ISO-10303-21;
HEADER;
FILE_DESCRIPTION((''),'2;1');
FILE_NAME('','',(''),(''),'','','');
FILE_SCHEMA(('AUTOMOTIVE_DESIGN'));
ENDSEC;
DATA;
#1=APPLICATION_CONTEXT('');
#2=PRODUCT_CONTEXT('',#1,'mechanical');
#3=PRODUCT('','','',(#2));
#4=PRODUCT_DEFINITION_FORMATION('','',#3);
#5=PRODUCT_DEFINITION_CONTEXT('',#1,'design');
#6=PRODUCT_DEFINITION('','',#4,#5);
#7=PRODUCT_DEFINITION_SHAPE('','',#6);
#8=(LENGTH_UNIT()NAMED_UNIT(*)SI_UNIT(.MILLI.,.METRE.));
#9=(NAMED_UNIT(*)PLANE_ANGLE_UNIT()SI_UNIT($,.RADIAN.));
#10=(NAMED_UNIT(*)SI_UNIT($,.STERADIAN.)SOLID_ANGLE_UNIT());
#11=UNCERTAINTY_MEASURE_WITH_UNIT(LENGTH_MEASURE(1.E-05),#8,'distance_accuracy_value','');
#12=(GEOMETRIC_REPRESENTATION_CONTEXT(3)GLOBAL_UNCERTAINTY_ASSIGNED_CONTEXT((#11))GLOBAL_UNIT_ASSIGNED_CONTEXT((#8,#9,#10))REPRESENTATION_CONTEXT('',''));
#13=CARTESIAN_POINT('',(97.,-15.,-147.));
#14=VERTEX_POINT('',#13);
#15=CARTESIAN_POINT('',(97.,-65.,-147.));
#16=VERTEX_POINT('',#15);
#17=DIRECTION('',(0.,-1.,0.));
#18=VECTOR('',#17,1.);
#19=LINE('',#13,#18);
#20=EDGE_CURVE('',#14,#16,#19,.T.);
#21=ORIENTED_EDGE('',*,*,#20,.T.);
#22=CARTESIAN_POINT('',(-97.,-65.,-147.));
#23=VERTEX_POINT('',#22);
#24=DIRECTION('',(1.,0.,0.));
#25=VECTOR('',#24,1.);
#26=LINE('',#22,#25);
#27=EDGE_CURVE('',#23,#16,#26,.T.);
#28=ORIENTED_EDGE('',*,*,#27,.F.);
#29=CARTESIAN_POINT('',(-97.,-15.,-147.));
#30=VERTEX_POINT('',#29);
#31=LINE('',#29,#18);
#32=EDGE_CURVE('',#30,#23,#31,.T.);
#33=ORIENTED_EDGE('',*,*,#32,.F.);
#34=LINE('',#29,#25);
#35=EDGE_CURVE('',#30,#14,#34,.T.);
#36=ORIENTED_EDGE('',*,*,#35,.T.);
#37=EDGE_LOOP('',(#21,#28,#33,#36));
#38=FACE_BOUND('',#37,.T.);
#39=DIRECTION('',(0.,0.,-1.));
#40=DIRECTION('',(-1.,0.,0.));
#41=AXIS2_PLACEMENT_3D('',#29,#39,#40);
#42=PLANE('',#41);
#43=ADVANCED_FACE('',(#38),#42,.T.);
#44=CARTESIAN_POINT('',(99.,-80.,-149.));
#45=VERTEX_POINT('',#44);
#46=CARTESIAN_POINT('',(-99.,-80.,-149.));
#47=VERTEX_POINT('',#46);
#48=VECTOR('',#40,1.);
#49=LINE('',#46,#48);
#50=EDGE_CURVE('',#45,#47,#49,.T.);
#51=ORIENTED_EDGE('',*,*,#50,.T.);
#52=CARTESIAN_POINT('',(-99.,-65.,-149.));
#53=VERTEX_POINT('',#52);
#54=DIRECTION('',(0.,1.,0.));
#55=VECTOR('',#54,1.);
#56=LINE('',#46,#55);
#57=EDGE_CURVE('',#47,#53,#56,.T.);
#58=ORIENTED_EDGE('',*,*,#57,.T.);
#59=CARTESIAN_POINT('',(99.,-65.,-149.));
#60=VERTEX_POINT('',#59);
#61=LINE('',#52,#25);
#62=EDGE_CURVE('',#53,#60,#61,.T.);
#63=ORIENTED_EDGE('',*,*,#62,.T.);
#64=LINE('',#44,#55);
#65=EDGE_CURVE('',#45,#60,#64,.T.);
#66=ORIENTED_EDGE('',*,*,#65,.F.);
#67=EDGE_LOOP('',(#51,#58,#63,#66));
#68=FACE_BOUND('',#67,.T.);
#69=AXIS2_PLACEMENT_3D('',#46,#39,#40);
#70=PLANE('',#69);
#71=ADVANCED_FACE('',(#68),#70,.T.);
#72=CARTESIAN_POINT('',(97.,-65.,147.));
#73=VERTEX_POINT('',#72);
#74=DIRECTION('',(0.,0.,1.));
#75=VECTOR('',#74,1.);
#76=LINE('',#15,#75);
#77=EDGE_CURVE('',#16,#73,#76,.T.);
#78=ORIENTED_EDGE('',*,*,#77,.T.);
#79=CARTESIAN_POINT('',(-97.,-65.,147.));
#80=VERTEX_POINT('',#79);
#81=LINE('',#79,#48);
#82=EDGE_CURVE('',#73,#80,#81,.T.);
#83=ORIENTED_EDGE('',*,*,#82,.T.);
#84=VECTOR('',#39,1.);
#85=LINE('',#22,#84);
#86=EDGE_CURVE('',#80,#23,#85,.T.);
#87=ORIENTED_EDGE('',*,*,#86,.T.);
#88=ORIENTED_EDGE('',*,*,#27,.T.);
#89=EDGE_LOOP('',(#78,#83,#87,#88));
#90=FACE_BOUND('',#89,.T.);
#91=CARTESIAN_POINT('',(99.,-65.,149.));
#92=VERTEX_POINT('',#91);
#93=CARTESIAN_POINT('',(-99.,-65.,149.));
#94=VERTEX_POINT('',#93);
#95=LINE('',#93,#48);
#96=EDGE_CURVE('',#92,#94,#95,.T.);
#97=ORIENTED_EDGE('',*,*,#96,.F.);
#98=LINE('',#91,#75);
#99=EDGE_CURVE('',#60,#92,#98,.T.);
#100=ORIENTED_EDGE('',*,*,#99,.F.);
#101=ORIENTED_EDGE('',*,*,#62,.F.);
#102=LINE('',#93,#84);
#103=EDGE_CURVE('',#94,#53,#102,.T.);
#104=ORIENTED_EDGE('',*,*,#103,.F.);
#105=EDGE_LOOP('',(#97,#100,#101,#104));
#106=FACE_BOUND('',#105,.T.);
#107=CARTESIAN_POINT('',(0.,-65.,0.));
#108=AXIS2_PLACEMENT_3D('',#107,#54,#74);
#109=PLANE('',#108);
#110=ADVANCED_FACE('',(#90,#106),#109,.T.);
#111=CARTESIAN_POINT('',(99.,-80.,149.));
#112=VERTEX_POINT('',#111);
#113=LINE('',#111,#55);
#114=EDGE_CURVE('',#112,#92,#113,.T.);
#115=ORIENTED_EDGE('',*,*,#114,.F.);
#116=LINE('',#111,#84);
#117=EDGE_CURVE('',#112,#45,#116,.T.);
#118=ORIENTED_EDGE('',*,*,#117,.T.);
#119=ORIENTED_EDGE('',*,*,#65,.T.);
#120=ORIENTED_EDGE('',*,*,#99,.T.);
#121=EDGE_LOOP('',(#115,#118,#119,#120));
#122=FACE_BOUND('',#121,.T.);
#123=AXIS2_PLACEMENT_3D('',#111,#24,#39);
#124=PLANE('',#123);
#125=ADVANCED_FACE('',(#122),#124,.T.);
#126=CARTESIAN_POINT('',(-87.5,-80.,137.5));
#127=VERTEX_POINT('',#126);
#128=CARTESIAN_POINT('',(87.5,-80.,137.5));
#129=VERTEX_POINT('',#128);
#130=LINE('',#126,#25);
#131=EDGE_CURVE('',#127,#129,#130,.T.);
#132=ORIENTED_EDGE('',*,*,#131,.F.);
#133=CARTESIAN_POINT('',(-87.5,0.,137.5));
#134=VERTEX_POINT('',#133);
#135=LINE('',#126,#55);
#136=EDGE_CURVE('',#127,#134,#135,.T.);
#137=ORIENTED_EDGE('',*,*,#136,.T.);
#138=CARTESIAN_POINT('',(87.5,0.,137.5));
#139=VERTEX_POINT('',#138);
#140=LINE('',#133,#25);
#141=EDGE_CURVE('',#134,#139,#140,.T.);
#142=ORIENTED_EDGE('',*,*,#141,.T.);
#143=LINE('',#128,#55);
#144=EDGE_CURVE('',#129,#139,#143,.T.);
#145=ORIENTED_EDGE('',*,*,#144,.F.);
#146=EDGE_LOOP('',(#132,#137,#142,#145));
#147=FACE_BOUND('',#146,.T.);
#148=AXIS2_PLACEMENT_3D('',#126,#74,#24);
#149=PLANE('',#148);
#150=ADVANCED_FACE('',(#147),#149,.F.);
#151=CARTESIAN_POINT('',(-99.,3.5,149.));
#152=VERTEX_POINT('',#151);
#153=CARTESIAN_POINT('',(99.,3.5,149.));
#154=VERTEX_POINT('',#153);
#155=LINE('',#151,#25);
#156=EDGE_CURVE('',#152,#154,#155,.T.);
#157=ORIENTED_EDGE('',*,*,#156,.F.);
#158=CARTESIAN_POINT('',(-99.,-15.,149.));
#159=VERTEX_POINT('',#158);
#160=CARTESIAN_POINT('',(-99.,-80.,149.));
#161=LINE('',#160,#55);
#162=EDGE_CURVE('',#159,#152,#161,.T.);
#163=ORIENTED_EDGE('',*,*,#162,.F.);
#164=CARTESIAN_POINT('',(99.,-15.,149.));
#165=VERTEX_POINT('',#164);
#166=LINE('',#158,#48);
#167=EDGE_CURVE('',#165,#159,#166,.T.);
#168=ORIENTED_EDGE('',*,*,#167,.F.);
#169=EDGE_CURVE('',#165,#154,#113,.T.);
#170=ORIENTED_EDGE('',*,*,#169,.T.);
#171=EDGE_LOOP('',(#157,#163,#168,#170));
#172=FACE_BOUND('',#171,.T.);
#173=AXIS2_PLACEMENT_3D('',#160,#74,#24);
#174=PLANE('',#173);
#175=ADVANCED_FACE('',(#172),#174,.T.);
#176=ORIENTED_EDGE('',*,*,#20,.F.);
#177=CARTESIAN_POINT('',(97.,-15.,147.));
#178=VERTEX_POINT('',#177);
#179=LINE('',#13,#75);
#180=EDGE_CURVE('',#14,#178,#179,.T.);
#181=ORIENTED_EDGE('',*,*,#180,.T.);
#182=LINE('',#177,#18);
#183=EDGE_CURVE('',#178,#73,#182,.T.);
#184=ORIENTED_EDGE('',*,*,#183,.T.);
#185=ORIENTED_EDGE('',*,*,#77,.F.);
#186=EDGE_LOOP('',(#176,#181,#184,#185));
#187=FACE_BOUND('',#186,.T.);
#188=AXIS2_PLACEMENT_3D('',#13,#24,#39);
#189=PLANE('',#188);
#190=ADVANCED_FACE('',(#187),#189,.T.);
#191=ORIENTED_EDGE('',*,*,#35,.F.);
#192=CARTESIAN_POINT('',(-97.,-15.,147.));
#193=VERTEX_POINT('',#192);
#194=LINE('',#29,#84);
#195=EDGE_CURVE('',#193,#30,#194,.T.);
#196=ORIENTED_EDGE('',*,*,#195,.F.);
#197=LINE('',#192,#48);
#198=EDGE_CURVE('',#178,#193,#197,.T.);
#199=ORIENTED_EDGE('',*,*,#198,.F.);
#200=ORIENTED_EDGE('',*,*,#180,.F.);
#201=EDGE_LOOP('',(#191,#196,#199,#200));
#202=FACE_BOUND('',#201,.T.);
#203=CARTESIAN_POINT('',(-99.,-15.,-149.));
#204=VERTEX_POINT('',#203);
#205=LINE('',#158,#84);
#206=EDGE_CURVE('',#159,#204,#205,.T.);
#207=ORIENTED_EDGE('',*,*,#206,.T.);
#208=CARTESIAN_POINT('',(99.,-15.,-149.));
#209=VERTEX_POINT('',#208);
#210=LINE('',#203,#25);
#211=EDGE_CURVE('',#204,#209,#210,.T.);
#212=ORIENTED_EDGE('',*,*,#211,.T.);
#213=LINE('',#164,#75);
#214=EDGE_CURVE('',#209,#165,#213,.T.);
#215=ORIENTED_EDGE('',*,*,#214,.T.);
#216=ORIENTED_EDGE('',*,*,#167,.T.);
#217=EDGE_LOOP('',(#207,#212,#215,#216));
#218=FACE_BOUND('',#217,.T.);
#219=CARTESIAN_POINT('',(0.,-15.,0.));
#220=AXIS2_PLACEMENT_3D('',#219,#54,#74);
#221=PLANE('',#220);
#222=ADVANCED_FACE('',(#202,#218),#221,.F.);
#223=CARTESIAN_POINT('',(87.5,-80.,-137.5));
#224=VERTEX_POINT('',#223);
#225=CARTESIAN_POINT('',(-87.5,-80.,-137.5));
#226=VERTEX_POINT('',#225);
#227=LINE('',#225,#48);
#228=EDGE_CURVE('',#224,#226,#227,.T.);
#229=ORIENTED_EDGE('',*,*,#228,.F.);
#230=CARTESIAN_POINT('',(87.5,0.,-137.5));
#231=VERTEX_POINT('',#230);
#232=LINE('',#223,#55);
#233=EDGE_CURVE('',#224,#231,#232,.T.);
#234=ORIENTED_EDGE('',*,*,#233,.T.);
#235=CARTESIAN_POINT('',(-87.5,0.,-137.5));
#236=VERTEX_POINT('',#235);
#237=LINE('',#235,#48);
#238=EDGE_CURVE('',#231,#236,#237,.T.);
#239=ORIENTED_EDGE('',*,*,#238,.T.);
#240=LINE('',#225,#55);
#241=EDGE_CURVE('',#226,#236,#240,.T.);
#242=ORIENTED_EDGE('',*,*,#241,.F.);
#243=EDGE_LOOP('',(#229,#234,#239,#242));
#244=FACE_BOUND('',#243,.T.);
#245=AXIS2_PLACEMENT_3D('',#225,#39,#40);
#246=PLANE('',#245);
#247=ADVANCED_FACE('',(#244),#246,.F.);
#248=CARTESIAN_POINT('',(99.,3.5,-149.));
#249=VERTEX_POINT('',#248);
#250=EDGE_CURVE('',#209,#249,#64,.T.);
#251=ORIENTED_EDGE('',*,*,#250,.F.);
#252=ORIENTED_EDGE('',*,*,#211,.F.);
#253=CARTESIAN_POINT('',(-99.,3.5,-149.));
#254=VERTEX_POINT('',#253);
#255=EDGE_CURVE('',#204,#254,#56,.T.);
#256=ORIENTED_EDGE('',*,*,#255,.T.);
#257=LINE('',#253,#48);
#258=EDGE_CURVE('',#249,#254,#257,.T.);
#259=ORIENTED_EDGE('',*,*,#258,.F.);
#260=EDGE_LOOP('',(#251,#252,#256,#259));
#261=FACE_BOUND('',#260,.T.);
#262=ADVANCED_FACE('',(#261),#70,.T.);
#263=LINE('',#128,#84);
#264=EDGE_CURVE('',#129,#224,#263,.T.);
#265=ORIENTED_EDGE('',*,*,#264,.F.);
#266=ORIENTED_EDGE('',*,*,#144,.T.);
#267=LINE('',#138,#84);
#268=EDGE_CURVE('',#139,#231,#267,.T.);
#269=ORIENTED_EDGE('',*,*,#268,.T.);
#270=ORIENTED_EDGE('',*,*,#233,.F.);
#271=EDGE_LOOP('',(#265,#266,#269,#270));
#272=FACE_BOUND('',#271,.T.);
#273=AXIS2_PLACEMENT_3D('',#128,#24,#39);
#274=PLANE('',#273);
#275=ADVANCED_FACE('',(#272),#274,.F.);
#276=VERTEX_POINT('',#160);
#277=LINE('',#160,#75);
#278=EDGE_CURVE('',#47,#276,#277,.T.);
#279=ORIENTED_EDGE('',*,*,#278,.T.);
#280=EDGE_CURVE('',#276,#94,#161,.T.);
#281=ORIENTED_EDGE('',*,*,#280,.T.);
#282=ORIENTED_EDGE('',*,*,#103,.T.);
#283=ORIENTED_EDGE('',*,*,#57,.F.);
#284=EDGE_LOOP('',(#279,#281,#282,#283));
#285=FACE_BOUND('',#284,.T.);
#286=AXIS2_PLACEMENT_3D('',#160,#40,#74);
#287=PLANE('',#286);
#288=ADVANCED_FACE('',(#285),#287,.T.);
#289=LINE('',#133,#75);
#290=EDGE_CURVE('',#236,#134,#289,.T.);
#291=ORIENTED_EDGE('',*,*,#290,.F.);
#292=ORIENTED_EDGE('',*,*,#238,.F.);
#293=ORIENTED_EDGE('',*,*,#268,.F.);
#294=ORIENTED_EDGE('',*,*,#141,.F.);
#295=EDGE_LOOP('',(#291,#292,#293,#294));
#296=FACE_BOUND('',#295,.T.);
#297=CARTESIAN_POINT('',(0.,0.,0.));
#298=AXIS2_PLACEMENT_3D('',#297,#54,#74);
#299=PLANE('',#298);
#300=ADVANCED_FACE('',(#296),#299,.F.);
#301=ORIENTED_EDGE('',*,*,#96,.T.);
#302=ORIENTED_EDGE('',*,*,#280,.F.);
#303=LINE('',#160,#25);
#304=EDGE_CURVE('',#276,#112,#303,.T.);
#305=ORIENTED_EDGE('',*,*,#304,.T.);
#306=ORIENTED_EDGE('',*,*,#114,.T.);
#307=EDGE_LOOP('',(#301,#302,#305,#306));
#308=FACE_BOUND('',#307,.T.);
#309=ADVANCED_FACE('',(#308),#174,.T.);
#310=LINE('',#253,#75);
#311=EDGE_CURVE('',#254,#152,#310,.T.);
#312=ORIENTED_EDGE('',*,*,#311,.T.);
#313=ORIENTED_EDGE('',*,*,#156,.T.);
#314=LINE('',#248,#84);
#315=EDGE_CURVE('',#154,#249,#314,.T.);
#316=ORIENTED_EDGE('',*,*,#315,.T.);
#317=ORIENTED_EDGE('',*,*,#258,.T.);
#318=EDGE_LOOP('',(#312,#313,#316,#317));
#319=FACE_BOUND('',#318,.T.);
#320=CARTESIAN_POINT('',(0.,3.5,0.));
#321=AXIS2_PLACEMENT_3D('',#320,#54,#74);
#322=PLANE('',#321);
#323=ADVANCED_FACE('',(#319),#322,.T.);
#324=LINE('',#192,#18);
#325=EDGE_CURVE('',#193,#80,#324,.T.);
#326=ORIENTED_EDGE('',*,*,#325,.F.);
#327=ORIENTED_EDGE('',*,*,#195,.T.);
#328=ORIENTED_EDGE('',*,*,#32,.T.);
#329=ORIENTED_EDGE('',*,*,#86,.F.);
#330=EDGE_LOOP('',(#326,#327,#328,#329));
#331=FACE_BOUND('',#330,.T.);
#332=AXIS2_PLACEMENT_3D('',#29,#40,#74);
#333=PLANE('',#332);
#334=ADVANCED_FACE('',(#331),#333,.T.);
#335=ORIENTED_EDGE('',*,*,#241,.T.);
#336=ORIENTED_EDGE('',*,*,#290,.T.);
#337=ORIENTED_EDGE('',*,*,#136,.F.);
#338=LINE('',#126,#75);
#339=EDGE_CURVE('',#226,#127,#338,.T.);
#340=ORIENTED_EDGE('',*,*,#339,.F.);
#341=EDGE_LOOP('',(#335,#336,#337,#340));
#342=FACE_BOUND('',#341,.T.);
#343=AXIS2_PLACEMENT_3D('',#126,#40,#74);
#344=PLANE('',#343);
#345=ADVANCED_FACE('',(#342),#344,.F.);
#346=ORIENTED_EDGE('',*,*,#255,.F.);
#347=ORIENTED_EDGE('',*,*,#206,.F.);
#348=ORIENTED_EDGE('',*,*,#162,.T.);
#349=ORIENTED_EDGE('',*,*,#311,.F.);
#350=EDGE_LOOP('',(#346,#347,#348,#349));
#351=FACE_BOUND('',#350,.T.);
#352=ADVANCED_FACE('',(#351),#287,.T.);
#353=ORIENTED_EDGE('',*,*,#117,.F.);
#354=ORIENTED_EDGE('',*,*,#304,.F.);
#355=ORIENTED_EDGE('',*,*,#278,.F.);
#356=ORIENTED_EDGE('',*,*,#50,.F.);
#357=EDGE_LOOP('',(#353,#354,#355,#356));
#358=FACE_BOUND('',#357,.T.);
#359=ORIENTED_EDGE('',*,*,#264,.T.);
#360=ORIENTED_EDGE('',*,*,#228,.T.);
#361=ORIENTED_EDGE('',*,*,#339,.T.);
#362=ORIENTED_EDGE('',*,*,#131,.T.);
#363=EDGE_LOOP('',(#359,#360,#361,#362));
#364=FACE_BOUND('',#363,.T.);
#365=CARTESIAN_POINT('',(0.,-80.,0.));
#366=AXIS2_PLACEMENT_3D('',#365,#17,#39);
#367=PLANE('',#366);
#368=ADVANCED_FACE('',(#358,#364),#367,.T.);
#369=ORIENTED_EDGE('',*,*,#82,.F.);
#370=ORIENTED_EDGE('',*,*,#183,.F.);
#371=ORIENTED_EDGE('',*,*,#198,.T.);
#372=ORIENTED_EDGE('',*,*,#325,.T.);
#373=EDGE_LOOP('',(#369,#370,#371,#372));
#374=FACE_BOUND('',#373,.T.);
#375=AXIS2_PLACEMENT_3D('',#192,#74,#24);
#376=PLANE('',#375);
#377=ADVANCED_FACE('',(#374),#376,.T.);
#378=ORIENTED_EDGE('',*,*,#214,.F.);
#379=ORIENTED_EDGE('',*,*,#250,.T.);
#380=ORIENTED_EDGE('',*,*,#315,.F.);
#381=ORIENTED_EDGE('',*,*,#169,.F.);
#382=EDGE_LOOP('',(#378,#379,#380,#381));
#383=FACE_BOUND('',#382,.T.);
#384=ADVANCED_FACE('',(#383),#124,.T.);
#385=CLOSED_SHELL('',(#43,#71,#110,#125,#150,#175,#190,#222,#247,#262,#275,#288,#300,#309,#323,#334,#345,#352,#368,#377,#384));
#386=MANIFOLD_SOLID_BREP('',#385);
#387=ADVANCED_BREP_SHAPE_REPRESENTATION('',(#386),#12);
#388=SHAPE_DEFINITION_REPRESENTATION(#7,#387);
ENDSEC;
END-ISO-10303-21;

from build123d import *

# Parameters (mm, degrees)
SKETCH_1_W          = 198
SKETCH_1_H          = 298
SKETCH_1_W_2        = 175
SKETCH_1_H_2        = 275
EXTRUDE_1_DEPTH     = 80
SKETCH_2_W          = 198
SKETCH_2_H          = 298
EXTRUDE_2_DEPTH     = 3.5
SKETCH_3_W          = 200
SKETCH_3_H          = 300
SKETCH_3_W_2        = 194
SKETCH_3_H_2        = 294
CUT_EXTRUDE_1_DEPTH = 25


with BuildPart() as part:
    # 草图1 → 凸台-拉伸1 (new body)
    with BuildSketch(Plane(origin=(0, 0, 0), x_dir=(1, 0, 0), z_dir=(0, 1, 0))):
        Rectangle(SKETCH_1_W, SKETCH_1_H)
        Rectangle(SKETCH_1_W_2, SKETCH_1_H_2, mode=Mode.SUBTRACT)
    extrude(amount=-EXTRUDE_1_DEPTH)

    # 草图2 → 凸台-拉伸2 (add)
    with BuildSketch(Plane(origin=(0, 0, 0), x_dir=(1, 0, 0), z_dir=(0, 1, 0))):
        Rectangle(SKETCH_2_W, SKETCH_2_H)
    extrude(amount=EXTRUDE_2_DEPTH)

    # 草图3 → 切除-拉伸1 (cut, symmetric)
    with BuildSketch(Plane(origin=(0, -40, 0), x_dir=(-1, 0, 0), z_dir=(0, -1, 0))):
        Rectangle(SKETCH_3_W, SKETCH_3_H)
        Rectangle(SKETCH_3_W_2, SKETCH_3_H_2, mode=Mode.SUBTRACT)
    extrude(amount=CUT_EXTRUDE_1_DEPTH, both=True, mode=Mode.SUBTRACT)


solid = part.part
